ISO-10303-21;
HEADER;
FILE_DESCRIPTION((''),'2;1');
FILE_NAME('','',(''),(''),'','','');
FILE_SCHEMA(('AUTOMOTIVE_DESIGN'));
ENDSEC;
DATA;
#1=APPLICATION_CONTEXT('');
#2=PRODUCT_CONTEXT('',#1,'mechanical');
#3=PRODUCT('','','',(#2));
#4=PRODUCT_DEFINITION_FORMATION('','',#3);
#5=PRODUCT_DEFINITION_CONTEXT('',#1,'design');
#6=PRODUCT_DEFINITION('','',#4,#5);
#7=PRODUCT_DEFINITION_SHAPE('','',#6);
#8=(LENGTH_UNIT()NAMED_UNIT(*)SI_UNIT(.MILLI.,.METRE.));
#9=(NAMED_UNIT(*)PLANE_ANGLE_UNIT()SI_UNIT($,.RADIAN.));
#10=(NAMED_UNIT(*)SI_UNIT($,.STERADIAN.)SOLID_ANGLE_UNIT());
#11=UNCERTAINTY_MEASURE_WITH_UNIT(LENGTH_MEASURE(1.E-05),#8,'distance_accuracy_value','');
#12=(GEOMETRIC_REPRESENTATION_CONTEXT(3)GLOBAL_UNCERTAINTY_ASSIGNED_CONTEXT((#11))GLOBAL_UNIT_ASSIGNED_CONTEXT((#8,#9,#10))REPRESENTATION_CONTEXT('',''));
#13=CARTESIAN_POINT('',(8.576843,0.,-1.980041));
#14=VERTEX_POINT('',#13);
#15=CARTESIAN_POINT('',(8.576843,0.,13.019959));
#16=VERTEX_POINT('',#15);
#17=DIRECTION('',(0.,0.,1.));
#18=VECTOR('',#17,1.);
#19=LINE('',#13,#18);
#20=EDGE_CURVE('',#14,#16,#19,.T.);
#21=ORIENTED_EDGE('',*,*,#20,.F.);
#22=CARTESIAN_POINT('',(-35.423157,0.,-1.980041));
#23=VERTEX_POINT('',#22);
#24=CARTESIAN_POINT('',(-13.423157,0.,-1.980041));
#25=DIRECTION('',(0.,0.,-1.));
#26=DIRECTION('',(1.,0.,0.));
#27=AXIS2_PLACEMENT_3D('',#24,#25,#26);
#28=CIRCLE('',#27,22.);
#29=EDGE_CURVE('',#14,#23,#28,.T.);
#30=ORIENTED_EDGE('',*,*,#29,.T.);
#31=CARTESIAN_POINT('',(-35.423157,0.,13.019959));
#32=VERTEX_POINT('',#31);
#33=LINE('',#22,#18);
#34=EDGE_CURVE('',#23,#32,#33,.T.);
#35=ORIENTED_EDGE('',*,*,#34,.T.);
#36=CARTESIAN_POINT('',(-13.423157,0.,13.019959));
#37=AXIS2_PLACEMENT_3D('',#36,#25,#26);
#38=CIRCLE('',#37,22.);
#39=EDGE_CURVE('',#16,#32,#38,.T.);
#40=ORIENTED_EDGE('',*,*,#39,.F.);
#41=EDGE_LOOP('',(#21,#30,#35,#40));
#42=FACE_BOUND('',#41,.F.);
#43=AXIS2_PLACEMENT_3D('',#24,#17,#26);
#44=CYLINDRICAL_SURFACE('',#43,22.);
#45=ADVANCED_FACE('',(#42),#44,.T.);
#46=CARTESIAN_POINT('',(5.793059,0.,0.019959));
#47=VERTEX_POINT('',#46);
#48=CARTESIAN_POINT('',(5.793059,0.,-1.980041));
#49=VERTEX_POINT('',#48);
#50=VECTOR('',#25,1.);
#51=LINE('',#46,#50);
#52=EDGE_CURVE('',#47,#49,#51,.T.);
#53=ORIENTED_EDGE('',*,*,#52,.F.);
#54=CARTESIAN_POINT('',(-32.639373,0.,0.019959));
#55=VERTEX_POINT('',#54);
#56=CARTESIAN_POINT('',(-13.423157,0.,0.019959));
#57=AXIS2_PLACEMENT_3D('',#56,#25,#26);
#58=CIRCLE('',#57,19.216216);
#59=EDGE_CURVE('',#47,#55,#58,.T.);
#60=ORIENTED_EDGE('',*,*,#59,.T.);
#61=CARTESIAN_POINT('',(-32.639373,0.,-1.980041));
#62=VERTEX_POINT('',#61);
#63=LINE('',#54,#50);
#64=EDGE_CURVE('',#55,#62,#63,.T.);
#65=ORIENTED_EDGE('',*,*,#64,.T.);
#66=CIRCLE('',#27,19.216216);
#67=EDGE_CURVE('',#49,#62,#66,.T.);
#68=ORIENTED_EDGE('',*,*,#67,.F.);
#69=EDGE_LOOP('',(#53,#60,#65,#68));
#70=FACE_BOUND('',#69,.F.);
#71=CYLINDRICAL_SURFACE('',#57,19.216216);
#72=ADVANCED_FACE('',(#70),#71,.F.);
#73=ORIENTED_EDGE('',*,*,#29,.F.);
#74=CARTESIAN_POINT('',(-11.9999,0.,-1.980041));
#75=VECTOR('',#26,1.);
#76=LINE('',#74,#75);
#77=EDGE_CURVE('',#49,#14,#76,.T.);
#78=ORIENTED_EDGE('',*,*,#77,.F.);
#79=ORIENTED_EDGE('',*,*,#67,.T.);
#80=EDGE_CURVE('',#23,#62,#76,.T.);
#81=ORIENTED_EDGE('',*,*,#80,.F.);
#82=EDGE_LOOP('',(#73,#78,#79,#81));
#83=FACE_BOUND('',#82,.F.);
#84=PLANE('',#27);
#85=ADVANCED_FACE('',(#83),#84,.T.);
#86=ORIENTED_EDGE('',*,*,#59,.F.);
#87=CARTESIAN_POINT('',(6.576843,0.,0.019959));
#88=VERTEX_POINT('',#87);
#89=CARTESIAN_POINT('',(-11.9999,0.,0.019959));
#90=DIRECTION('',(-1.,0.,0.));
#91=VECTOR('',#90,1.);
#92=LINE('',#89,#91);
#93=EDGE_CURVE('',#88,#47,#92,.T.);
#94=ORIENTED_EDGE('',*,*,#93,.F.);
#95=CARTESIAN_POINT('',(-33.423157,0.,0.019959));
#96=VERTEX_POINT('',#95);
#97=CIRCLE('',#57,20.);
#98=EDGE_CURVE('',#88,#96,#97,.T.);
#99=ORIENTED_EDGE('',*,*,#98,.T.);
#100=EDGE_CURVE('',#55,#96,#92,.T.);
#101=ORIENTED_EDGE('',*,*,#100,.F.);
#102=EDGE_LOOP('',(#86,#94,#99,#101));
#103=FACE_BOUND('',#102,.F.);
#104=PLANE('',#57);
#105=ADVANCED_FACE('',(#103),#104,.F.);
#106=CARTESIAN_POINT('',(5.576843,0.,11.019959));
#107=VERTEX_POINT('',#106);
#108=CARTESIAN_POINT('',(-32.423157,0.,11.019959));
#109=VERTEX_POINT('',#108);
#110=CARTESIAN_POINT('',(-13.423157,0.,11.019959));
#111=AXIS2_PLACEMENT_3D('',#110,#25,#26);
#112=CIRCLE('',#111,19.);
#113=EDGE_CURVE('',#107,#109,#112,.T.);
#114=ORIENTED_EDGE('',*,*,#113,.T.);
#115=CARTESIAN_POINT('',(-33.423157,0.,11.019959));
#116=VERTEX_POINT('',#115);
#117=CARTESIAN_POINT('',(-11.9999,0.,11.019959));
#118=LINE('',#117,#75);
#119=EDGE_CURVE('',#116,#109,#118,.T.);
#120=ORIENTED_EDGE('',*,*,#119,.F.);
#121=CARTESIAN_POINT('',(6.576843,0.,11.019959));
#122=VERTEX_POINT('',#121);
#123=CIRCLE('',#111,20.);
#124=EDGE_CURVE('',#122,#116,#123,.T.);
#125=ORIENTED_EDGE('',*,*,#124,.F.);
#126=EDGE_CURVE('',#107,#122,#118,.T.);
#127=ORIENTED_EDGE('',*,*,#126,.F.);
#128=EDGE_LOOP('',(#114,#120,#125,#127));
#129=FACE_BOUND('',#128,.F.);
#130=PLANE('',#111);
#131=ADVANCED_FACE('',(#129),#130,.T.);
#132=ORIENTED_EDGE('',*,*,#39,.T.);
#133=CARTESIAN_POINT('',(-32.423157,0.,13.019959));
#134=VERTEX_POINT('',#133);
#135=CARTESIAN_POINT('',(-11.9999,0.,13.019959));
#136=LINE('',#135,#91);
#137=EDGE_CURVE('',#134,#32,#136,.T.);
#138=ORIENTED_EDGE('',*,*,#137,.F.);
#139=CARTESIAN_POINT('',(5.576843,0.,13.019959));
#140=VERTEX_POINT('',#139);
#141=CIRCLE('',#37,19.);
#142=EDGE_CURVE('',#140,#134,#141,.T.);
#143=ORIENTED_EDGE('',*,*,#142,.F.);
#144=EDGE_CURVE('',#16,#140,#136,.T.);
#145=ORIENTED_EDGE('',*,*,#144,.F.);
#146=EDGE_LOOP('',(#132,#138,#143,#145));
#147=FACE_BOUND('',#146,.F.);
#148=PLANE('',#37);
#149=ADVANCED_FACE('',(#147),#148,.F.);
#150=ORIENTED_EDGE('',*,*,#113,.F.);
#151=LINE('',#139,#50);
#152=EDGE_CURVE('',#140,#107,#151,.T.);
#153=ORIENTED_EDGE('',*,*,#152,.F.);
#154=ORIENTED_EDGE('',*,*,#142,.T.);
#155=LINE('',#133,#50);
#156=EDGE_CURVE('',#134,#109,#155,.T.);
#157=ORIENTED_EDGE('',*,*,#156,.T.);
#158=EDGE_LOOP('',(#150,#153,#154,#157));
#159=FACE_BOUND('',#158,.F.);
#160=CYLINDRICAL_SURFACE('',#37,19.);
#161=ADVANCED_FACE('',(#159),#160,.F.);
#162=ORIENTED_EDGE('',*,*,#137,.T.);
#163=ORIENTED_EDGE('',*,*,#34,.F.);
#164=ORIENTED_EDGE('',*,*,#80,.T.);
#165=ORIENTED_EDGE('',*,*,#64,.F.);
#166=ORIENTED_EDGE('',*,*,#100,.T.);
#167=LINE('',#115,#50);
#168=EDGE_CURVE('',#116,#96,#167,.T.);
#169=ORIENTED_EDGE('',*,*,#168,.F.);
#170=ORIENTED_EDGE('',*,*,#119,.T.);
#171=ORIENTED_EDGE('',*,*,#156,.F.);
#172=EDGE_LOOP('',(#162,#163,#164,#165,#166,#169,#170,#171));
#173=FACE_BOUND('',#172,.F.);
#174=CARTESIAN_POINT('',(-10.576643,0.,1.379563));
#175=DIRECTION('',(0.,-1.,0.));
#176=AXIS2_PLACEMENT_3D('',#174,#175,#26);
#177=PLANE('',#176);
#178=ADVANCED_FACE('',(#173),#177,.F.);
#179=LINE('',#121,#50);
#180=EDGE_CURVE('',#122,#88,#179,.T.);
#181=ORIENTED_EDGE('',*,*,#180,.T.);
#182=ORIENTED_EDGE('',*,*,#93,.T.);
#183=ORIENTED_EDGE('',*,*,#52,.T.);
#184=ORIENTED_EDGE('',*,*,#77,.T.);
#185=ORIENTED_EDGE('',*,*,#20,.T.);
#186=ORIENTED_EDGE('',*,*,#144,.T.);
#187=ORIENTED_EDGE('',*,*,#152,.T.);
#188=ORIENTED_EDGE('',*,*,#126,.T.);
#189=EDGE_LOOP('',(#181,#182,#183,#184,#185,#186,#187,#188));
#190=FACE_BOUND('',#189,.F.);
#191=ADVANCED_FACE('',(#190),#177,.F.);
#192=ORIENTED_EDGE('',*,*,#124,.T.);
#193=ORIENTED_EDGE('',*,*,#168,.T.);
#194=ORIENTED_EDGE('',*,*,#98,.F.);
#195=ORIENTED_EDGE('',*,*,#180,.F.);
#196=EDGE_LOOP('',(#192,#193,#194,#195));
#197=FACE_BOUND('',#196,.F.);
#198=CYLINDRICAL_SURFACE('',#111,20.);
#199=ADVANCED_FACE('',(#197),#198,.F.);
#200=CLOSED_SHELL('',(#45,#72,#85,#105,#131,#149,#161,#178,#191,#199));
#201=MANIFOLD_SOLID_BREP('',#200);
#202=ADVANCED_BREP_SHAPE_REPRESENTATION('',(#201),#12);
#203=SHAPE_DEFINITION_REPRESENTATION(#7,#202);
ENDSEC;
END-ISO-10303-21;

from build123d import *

# Parameters (mm, degrees)
F2_W     = 84.383212
F2_H     = 61.620441
F3_DEPTH = 25


with BuildPart() as f1:
    # F0 (on Front) → F1 (revolve)
    with BuildSketch(Plane.XZ):
        Polygon((8.576843, 13.019959), (6.576843, 13.019959), (5.576843, 13.019959), (5.576843, 11.019959), (6.576843, 11.019959), (6.576843, 0.019959), (5.793059, 0.019959), (5.793059, -1.980041), (6.576843, -1.980041), (8.576843, -1.980041), align=None)
    revolve(axis=Axis((-13.423157, 0, 4.628072), (0, 0, -1)))

    # F2 (on Front) → F3 (cut)
    with BuildSketch(Plane.XZ):
        with Locations((-10.576643, 1.379563)):
            Rectangle(F2_W, F2_H)
    extrude(amount=-F3_DEPTH, mode=Mode.SUBTRACT)


solid = f1.part
